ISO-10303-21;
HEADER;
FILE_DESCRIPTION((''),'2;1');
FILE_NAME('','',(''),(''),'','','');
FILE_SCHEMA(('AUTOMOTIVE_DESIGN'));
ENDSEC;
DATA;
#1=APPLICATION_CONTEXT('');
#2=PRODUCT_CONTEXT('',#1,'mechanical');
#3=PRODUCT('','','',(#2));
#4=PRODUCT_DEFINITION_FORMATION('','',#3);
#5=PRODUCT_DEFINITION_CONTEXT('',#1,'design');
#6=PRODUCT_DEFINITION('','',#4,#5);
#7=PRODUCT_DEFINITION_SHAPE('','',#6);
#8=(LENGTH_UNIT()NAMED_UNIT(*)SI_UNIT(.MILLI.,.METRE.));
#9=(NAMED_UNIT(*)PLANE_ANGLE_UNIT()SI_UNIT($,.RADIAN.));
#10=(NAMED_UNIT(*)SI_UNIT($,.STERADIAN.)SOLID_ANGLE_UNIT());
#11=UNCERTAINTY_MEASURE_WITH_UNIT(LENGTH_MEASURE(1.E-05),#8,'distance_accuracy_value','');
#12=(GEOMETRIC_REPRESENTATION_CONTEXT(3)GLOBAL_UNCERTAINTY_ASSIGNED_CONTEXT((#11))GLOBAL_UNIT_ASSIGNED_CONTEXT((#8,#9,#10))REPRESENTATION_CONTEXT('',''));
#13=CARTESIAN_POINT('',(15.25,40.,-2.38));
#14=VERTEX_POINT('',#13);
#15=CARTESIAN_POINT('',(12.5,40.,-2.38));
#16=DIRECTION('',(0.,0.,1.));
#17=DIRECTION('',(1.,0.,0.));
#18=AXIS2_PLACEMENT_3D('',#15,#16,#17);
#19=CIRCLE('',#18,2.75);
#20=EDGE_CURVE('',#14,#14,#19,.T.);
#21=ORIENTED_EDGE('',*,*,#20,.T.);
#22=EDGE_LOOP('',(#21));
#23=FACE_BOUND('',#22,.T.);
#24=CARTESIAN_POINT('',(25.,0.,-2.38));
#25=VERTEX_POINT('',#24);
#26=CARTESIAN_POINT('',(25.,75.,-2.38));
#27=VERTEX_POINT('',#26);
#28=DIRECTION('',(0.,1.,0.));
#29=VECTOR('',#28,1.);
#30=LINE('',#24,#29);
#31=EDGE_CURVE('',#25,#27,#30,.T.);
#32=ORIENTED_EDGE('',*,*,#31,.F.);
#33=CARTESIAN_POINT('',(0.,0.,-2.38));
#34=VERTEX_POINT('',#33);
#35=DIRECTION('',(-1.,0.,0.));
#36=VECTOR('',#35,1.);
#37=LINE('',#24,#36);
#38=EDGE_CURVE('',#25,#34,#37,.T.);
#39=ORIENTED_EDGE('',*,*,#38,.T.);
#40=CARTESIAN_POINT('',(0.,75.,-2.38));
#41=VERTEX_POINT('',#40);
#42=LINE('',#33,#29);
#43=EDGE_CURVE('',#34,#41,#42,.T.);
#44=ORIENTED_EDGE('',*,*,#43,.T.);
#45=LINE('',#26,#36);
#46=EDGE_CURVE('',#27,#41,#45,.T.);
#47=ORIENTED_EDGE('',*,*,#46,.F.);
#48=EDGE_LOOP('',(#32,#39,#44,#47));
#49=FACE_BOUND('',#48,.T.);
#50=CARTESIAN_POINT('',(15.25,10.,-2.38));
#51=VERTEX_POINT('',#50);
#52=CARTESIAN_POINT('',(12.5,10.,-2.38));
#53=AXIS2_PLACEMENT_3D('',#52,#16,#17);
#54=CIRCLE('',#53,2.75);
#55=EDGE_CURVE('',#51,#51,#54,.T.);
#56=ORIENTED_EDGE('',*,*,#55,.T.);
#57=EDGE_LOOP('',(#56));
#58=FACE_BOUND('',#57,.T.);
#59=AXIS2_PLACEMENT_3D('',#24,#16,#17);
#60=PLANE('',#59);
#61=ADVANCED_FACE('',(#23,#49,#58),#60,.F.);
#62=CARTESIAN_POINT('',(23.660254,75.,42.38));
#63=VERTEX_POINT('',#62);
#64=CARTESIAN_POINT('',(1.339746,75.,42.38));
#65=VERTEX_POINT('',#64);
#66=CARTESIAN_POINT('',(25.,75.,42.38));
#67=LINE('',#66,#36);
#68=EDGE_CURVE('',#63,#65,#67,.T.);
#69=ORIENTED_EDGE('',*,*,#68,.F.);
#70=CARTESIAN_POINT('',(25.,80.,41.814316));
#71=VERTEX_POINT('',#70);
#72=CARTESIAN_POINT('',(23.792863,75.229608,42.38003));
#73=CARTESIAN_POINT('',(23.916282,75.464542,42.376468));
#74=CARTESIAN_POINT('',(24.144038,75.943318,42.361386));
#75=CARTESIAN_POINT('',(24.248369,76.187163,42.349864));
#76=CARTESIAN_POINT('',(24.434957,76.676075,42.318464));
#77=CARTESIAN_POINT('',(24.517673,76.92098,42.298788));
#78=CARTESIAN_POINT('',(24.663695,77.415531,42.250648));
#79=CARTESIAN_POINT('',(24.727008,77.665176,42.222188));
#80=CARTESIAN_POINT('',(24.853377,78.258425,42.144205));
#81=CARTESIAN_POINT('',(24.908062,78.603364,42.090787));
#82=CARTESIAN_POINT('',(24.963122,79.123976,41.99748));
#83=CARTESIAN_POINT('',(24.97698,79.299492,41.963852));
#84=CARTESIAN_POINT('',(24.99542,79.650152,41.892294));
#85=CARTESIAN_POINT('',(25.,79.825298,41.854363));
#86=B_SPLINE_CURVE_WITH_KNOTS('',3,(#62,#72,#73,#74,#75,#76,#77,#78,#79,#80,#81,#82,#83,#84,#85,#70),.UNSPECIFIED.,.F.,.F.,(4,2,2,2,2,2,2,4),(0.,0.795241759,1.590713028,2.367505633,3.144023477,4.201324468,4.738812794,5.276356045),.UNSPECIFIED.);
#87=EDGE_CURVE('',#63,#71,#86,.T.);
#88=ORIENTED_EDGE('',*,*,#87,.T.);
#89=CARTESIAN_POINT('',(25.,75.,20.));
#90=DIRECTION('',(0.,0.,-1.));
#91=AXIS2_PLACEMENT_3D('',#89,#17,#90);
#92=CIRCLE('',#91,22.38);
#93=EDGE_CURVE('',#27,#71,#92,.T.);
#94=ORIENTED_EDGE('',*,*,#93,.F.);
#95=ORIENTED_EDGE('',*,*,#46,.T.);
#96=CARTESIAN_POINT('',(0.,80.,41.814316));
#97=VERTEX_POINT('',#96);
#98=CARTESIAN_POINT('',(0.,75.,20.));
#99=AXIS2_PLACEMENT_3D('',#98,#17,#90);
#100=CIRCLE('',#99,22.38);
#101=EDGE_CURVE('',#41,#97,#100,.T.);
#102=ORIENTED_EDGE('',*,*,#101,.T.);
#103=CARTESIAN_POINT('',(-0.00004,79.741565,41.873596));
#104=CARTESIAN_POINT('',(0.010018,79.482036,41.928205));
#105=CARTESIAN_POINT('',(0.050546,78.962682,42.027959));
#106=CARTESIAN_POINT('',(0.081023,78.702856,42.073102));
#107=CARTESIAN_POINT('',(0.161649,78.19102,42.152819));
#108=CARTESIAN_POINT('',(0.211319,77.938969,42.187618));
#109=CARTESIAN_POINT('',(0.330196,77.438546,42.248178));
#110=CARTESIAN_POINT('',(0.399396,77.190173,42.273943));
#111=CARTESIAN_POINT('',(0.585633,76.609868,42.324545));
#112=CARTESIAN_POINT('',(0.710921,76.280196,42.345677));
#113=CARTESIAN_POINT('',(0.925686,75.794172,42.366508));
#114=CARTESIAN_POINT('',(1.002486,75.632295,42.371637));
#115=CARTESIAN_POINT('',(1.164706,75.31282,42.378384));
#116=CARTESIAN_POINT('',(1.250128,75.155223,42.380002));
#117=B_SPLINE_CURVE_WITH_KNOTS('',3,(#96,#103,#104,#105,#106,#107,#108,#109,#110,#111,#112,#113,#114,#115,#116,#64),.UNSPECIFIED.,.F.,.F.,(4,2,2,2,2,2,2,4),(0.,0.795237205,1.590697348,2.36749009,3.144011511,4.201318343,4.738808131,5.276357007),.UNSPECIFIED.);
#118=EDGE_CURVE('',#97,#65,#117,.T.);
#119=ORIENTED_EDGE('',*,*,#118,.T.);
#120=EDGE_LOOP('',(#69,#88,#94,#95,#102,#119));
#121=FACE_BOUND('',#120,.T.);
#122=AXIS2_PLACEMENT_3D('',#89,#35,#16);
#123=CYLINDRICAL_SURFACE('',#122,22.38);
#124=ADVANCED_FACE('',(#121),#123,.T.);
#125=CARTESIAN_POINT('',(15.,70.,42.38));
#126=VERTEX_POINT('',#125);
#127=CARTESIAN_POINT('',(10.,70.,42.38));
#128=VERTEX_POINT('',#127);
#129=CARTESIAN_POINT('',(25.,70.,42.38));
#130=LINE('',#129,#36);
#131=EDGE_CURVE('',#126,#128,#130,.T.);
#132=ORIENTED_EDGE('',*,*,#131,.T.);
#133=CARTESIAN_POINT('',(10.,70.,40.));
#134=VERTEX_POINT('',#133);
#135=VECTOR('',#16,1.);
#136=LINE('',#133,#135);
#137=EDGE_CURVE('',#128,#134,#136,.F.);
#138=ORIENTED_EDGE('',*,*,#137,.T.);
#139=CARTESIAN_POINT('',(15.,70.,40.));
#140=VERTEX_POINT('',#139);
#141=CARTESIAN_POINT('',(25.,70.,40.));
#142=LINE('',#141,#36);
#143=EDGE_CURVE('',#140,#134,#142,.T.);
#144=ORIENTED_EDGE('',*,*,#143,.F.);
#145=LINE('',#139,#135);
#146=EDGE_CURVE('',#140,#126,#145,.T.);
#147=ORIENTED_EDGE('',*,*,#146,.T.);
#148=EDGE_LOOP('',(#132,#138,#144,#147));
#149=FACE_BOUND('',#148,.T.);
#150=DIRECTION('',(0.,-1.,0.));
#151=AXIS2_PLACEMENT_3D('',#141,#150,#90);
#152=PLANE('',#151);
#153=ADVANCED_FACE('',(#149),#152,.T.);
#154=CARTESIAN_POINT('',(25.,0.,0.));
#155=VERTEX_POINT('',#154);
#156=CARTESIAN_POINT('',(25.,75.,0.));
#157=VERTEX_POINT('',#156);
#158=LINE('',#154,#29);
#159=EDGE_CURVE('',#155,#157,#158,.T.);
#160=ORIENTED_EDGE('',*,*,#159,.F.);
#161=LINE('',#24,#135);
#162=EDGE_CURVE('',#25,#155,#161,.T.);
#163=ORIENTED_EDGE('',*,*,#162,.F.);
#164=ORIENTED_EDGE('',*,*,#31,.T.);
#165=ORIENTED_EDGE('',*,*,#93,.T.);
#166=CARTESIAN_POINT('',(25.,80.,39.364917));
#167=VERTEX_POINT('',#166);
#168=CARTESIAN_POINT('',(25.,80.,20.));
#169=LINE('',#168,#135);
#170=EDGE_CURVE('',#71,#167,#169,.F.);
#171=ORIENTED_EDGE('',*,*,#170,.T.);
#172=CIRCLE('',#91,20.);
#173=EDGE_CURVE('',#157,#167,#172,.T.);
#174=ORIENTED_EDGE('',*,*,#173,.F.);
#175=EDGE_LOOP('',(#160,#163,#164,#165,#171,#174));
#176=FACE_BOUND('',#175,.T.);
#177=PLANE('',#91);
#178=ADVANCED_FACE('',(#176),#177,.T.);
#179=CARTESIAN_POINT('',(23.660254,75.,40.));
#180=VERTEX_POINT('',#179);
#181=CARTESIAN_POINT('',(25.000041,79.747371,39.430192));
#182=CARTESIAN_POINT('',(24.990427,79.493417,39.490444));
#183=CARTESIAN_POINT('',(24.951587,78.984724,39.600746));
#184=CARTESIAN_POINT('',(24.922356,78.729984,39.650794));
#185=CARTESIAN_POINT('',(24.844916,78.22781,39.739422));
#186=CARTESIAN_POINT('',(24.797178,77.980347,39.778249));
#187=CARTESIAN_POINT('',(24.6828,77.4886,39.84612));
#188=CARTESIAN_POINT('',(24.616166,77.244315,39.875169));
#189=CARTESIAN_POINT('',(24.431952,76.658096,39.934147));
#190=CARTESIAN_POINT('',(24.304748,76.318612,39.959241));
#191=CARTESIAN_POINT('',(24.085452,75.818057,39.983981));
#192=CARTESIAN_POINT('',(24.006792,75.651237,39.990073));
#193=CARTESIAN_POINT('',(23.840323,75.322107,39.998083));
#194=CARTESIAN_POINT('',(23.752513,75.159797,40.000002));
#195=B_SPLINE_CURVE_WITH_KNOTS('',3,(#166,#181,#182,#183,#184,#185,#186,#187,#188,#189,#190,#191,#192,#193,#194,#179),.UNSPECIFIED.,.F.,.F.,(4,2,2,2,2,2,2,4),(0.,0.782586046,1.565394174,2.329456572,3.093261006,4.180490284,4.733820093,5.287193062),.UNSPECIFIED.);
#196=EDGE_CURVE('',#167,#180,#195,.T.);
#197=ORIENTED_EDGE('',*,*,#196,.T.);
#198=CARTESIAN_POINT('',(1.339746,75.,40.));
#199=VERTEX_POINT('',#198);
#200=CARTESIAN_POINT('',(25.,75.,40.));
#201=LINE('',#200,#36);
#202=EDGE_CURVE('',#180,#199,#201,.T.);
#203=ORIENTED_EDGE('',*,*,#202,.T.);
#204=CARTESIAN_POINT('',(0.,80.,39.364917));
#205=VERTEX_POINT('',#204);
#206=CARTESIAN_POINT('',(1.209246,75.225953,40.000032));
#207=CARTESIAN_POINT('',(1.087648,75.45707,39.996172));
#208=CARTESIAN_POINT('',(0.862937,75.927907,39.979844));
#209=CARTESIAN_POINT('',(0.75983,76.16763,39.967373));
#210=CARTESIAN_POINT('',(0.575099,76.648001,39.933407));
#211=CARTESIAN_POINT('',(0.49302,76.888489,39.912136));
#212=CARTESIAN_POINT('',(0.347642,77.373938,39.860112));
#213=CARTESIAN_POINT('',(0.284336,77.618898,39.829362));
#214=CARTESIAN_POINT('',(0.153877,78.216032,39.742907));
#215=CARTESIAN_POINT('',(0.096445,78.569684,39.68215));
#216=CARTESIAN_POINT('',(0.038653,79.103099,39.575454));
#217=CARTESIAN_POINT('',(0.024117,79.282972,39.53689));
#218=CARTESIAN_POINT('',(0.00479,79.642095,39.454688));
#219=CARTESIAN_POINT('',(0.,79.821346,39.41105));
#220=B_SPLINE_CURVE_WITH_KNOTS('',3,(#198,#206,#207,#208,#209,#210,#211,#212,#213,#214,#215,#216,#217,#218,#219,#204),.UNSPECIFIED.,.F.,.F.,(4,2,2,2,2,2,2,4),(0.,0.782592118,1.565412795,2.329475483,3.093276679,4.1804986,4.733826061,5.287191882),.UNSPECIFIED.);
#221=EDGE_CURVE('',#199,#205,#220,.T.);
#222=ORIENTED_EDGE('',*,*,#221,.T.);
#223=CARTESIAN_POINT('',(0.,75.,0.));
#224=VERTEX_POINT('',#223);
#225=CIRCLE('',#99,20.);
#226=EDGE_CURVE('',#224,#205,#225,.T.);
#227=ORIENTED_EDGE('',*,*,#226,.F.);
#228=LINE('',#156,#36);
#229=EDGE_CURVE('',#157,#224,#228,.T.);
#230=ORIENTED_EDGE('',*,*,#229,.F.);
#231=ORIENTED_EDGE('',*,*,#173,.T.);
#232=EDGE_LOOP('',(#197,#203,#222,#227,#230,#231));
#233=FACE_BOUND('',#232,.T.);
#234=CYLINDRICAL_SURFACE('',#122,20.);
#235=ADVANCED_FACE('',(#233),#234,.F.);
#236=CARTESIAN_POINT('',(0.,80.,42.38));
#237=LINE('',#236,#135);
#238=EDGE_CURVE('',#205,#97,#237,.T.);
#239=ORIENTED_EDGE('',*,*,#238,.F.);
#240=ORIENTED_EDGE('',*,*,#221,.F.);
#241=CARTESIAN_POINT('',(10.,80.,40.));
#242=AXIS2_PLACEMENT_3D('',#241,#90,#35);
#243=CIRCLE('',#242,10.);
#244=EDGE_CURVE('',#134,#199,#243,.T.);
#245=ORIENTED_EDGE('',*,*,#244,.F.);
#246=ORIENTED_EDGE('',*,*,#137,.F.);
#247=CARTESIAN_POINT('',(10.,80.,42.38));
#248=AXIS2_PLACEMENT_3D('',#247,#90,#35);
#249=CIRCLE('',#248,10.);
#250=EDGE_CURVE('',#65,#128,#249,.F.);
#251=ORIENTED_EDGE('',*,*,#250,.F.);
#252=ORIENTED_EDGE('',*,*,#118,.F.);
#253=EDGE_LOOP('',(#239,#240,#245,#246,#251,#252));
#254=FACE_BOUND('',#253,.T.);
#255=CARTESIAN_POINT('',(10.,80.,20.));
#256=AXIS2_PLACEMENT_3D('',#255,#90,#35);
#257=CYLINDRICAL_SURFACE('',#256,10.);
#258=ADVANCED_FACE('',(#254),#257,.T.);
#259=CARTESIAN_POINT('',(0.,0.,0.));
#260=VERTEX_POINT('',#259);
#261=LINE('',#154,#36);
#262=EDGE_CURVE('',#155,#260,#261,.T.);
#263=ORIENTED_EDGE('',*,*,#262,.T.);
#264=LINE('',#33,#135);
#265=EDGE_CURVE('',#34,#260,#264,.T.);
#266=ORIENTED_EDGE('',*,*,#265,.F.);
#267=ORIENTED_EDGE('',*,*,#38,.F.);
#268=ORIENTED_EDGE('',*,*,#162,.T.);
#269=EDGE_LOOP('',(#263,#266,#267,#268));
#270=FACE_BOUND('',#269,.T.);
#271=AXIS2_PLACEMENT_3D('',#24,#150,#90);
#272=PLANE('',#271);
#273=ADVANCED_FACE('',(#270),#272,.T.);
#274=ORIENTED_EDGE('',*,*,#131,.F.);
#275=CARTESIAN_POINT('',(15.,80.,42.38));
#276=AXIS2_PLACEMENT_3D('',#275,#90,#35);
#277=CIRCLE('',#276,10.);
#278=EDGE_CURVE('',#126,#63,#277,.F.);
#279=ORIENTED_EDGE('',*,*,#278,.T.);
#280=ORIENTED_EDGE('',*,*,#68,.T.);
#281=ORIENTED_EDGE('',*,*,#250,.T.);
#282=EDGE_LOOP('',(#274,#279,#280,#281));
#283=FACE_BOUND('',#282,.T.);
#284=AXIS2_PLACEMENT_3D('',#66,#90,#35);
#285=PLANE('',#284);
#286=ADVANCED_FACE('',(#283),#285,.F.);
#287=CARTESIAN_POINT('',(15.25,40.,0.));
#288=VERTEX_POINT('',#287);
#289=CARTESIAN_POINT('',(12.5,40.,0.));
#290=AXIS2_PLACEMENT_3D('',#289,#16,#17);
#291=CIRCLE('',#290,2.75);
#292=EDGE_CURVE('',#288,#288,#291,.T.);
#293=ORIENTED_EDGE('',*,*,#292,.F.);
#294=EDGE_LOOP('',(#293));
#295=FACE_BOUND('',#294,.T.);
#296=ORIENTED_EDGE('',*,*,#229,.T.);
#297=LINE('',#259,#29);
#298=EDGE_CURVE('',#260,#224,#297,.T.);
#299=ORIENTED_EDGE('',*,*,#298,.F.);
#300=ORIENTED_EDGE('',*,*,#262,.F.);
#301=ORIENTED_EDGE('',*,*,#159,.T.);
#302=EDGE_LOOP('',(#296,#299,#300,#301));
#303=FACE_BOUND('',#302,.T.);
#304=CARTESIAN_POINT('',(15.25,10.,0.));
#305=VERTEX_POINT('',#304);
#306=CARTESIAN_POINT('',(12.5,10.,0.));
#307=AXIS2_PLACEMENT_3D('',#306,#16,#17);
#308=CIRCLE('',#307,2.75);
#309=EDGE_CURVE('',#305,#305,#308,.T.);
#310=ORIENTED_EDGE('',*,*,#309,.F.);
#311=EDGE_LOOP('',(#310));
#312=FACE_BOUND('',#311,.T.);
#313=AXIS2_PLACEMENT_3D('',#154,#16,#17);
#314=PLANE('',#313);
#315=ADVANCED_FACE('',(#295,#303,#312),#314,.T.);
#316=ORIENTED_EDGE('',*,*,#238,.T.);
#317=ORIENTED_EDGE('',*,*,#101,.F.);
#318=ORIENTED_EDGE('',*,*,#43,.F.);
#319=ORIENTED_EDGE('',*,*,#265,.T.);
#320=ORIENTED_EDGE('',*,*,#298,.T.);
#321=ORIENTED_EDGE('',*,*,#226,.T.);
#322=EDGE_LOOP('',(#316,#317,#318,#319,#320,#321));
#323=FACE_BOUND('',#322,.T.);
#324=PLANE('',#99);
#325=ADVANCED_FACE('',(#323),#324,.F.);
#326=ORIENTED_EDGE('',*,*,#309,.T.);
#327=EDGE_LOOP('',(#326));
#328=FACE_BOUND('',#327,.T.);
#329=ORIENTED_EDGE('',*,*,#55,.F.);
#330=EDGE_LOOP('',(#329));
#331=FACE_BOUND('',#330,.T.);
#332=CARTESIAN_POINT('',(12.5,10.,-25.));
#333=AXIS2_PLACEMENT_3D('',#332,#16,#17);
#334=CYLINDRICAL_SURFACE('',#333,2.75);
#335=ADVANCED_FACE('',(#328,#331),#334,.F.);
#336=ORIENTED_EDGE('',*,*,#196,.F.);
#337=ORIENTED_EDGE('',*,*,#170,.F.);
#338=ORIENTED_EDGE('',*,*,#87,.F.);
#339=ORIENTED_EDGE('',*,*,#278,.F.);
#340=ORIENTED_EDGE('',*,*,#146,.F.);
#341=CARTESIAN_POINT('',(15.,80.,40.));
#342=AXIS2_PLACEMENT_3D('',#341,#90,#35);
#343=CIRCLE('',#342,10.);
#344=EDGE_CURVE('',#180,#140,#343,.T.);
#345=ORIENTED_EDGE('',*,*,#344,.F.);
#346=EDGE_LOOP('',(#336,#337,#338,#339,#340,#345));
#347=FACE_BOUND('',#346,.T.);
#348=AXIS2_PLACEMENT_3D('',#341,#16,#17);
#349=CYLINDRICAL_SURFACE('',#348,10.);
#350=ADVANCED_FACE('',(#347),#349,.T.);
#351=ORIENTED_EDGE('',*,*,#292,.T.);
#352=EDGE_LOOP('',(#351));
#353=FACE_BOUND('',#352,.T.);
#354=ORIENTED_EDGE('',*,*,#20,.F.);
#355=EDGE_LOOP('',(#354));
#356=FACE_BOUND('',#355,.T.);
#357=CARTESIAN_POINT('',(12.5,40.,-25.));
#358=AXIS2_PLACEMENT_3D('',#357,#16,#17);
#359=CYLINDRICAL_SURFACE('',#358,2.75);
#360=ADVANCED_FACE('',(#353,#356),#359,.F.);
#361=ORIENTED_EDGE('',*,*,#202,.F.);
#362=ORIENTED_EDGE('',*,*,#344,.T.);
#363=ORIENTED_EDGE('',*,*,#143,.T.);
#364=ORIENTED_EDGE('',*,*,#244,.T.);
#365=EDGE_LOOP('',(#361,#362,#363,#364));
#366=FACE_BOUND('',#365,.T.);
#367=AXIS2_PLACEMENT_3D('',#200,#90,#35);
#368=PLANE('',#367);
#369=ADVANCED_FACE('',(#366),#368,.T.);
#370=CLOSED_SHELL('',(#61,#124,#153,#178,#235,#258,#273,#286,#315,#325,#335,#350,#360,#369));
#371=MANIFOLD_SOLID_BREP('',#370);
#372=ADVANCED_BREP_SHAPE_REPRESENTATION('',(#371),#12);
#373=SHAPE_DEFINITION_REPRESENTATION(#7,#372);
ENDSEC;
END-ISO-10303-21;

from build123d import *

# Parameters (mm, degrees)
BOSS_EXTRUDE1_DEPTH = 25
FILLET1_R           = 10
SKETCH2_R           = 2.75
CUT_EXTRUDE1_DEPTH  = 25


with BuildPart() as part:
    # Sketch1 → Boss-Extrude1 (new body)
    with BuildSketch(Plane(origin=(0, 0, 0), x_dir=(0, 0, -1), z_dir=(1, 0, 0))):
        with BuildLine():
            Line((0, 0), (0, 75))
            ThreePointArc((0, 75), (-20, 95), (-40, 75))
            Line((-40, 75), (-40, 70))
            Line((-40, 70), (-42.38, 70))
            Line((-42.38, 70), (-42.38, 75))
            ThreePointArc((-42.38, 75), (-20, 97.38), (2.38, 75))
            Line((2.38, 75), (2.38, 0))
            Line((2.38, 0), (0, 0))
        make_face()
    extrude(amount=BOSS_EXTRUDE1_DEPTH)

    # Fillet1
    fillet1_edges = [part.edges().sort_by_distance(p)[0] for p in [
        (0, 70, 41.19),
        (25, 70, 41.19),
    ]]
    fillet(fillet1_edges, radius=FILLET1_R)

    # Sketch2 → Cut-Extrude1 (cut)
    with BuildSketch(Plane.XY):
        with Locations((12.5, 10)):
            Circle(SKETCH2_R)
        with Locations((12.5, 40)):
            Circle(SKETCH2_R)
    extrude(amount=-CUT_EXTRUDE1_DEPTH, mode=Mode.SUBTRACT)


solid = part.part
